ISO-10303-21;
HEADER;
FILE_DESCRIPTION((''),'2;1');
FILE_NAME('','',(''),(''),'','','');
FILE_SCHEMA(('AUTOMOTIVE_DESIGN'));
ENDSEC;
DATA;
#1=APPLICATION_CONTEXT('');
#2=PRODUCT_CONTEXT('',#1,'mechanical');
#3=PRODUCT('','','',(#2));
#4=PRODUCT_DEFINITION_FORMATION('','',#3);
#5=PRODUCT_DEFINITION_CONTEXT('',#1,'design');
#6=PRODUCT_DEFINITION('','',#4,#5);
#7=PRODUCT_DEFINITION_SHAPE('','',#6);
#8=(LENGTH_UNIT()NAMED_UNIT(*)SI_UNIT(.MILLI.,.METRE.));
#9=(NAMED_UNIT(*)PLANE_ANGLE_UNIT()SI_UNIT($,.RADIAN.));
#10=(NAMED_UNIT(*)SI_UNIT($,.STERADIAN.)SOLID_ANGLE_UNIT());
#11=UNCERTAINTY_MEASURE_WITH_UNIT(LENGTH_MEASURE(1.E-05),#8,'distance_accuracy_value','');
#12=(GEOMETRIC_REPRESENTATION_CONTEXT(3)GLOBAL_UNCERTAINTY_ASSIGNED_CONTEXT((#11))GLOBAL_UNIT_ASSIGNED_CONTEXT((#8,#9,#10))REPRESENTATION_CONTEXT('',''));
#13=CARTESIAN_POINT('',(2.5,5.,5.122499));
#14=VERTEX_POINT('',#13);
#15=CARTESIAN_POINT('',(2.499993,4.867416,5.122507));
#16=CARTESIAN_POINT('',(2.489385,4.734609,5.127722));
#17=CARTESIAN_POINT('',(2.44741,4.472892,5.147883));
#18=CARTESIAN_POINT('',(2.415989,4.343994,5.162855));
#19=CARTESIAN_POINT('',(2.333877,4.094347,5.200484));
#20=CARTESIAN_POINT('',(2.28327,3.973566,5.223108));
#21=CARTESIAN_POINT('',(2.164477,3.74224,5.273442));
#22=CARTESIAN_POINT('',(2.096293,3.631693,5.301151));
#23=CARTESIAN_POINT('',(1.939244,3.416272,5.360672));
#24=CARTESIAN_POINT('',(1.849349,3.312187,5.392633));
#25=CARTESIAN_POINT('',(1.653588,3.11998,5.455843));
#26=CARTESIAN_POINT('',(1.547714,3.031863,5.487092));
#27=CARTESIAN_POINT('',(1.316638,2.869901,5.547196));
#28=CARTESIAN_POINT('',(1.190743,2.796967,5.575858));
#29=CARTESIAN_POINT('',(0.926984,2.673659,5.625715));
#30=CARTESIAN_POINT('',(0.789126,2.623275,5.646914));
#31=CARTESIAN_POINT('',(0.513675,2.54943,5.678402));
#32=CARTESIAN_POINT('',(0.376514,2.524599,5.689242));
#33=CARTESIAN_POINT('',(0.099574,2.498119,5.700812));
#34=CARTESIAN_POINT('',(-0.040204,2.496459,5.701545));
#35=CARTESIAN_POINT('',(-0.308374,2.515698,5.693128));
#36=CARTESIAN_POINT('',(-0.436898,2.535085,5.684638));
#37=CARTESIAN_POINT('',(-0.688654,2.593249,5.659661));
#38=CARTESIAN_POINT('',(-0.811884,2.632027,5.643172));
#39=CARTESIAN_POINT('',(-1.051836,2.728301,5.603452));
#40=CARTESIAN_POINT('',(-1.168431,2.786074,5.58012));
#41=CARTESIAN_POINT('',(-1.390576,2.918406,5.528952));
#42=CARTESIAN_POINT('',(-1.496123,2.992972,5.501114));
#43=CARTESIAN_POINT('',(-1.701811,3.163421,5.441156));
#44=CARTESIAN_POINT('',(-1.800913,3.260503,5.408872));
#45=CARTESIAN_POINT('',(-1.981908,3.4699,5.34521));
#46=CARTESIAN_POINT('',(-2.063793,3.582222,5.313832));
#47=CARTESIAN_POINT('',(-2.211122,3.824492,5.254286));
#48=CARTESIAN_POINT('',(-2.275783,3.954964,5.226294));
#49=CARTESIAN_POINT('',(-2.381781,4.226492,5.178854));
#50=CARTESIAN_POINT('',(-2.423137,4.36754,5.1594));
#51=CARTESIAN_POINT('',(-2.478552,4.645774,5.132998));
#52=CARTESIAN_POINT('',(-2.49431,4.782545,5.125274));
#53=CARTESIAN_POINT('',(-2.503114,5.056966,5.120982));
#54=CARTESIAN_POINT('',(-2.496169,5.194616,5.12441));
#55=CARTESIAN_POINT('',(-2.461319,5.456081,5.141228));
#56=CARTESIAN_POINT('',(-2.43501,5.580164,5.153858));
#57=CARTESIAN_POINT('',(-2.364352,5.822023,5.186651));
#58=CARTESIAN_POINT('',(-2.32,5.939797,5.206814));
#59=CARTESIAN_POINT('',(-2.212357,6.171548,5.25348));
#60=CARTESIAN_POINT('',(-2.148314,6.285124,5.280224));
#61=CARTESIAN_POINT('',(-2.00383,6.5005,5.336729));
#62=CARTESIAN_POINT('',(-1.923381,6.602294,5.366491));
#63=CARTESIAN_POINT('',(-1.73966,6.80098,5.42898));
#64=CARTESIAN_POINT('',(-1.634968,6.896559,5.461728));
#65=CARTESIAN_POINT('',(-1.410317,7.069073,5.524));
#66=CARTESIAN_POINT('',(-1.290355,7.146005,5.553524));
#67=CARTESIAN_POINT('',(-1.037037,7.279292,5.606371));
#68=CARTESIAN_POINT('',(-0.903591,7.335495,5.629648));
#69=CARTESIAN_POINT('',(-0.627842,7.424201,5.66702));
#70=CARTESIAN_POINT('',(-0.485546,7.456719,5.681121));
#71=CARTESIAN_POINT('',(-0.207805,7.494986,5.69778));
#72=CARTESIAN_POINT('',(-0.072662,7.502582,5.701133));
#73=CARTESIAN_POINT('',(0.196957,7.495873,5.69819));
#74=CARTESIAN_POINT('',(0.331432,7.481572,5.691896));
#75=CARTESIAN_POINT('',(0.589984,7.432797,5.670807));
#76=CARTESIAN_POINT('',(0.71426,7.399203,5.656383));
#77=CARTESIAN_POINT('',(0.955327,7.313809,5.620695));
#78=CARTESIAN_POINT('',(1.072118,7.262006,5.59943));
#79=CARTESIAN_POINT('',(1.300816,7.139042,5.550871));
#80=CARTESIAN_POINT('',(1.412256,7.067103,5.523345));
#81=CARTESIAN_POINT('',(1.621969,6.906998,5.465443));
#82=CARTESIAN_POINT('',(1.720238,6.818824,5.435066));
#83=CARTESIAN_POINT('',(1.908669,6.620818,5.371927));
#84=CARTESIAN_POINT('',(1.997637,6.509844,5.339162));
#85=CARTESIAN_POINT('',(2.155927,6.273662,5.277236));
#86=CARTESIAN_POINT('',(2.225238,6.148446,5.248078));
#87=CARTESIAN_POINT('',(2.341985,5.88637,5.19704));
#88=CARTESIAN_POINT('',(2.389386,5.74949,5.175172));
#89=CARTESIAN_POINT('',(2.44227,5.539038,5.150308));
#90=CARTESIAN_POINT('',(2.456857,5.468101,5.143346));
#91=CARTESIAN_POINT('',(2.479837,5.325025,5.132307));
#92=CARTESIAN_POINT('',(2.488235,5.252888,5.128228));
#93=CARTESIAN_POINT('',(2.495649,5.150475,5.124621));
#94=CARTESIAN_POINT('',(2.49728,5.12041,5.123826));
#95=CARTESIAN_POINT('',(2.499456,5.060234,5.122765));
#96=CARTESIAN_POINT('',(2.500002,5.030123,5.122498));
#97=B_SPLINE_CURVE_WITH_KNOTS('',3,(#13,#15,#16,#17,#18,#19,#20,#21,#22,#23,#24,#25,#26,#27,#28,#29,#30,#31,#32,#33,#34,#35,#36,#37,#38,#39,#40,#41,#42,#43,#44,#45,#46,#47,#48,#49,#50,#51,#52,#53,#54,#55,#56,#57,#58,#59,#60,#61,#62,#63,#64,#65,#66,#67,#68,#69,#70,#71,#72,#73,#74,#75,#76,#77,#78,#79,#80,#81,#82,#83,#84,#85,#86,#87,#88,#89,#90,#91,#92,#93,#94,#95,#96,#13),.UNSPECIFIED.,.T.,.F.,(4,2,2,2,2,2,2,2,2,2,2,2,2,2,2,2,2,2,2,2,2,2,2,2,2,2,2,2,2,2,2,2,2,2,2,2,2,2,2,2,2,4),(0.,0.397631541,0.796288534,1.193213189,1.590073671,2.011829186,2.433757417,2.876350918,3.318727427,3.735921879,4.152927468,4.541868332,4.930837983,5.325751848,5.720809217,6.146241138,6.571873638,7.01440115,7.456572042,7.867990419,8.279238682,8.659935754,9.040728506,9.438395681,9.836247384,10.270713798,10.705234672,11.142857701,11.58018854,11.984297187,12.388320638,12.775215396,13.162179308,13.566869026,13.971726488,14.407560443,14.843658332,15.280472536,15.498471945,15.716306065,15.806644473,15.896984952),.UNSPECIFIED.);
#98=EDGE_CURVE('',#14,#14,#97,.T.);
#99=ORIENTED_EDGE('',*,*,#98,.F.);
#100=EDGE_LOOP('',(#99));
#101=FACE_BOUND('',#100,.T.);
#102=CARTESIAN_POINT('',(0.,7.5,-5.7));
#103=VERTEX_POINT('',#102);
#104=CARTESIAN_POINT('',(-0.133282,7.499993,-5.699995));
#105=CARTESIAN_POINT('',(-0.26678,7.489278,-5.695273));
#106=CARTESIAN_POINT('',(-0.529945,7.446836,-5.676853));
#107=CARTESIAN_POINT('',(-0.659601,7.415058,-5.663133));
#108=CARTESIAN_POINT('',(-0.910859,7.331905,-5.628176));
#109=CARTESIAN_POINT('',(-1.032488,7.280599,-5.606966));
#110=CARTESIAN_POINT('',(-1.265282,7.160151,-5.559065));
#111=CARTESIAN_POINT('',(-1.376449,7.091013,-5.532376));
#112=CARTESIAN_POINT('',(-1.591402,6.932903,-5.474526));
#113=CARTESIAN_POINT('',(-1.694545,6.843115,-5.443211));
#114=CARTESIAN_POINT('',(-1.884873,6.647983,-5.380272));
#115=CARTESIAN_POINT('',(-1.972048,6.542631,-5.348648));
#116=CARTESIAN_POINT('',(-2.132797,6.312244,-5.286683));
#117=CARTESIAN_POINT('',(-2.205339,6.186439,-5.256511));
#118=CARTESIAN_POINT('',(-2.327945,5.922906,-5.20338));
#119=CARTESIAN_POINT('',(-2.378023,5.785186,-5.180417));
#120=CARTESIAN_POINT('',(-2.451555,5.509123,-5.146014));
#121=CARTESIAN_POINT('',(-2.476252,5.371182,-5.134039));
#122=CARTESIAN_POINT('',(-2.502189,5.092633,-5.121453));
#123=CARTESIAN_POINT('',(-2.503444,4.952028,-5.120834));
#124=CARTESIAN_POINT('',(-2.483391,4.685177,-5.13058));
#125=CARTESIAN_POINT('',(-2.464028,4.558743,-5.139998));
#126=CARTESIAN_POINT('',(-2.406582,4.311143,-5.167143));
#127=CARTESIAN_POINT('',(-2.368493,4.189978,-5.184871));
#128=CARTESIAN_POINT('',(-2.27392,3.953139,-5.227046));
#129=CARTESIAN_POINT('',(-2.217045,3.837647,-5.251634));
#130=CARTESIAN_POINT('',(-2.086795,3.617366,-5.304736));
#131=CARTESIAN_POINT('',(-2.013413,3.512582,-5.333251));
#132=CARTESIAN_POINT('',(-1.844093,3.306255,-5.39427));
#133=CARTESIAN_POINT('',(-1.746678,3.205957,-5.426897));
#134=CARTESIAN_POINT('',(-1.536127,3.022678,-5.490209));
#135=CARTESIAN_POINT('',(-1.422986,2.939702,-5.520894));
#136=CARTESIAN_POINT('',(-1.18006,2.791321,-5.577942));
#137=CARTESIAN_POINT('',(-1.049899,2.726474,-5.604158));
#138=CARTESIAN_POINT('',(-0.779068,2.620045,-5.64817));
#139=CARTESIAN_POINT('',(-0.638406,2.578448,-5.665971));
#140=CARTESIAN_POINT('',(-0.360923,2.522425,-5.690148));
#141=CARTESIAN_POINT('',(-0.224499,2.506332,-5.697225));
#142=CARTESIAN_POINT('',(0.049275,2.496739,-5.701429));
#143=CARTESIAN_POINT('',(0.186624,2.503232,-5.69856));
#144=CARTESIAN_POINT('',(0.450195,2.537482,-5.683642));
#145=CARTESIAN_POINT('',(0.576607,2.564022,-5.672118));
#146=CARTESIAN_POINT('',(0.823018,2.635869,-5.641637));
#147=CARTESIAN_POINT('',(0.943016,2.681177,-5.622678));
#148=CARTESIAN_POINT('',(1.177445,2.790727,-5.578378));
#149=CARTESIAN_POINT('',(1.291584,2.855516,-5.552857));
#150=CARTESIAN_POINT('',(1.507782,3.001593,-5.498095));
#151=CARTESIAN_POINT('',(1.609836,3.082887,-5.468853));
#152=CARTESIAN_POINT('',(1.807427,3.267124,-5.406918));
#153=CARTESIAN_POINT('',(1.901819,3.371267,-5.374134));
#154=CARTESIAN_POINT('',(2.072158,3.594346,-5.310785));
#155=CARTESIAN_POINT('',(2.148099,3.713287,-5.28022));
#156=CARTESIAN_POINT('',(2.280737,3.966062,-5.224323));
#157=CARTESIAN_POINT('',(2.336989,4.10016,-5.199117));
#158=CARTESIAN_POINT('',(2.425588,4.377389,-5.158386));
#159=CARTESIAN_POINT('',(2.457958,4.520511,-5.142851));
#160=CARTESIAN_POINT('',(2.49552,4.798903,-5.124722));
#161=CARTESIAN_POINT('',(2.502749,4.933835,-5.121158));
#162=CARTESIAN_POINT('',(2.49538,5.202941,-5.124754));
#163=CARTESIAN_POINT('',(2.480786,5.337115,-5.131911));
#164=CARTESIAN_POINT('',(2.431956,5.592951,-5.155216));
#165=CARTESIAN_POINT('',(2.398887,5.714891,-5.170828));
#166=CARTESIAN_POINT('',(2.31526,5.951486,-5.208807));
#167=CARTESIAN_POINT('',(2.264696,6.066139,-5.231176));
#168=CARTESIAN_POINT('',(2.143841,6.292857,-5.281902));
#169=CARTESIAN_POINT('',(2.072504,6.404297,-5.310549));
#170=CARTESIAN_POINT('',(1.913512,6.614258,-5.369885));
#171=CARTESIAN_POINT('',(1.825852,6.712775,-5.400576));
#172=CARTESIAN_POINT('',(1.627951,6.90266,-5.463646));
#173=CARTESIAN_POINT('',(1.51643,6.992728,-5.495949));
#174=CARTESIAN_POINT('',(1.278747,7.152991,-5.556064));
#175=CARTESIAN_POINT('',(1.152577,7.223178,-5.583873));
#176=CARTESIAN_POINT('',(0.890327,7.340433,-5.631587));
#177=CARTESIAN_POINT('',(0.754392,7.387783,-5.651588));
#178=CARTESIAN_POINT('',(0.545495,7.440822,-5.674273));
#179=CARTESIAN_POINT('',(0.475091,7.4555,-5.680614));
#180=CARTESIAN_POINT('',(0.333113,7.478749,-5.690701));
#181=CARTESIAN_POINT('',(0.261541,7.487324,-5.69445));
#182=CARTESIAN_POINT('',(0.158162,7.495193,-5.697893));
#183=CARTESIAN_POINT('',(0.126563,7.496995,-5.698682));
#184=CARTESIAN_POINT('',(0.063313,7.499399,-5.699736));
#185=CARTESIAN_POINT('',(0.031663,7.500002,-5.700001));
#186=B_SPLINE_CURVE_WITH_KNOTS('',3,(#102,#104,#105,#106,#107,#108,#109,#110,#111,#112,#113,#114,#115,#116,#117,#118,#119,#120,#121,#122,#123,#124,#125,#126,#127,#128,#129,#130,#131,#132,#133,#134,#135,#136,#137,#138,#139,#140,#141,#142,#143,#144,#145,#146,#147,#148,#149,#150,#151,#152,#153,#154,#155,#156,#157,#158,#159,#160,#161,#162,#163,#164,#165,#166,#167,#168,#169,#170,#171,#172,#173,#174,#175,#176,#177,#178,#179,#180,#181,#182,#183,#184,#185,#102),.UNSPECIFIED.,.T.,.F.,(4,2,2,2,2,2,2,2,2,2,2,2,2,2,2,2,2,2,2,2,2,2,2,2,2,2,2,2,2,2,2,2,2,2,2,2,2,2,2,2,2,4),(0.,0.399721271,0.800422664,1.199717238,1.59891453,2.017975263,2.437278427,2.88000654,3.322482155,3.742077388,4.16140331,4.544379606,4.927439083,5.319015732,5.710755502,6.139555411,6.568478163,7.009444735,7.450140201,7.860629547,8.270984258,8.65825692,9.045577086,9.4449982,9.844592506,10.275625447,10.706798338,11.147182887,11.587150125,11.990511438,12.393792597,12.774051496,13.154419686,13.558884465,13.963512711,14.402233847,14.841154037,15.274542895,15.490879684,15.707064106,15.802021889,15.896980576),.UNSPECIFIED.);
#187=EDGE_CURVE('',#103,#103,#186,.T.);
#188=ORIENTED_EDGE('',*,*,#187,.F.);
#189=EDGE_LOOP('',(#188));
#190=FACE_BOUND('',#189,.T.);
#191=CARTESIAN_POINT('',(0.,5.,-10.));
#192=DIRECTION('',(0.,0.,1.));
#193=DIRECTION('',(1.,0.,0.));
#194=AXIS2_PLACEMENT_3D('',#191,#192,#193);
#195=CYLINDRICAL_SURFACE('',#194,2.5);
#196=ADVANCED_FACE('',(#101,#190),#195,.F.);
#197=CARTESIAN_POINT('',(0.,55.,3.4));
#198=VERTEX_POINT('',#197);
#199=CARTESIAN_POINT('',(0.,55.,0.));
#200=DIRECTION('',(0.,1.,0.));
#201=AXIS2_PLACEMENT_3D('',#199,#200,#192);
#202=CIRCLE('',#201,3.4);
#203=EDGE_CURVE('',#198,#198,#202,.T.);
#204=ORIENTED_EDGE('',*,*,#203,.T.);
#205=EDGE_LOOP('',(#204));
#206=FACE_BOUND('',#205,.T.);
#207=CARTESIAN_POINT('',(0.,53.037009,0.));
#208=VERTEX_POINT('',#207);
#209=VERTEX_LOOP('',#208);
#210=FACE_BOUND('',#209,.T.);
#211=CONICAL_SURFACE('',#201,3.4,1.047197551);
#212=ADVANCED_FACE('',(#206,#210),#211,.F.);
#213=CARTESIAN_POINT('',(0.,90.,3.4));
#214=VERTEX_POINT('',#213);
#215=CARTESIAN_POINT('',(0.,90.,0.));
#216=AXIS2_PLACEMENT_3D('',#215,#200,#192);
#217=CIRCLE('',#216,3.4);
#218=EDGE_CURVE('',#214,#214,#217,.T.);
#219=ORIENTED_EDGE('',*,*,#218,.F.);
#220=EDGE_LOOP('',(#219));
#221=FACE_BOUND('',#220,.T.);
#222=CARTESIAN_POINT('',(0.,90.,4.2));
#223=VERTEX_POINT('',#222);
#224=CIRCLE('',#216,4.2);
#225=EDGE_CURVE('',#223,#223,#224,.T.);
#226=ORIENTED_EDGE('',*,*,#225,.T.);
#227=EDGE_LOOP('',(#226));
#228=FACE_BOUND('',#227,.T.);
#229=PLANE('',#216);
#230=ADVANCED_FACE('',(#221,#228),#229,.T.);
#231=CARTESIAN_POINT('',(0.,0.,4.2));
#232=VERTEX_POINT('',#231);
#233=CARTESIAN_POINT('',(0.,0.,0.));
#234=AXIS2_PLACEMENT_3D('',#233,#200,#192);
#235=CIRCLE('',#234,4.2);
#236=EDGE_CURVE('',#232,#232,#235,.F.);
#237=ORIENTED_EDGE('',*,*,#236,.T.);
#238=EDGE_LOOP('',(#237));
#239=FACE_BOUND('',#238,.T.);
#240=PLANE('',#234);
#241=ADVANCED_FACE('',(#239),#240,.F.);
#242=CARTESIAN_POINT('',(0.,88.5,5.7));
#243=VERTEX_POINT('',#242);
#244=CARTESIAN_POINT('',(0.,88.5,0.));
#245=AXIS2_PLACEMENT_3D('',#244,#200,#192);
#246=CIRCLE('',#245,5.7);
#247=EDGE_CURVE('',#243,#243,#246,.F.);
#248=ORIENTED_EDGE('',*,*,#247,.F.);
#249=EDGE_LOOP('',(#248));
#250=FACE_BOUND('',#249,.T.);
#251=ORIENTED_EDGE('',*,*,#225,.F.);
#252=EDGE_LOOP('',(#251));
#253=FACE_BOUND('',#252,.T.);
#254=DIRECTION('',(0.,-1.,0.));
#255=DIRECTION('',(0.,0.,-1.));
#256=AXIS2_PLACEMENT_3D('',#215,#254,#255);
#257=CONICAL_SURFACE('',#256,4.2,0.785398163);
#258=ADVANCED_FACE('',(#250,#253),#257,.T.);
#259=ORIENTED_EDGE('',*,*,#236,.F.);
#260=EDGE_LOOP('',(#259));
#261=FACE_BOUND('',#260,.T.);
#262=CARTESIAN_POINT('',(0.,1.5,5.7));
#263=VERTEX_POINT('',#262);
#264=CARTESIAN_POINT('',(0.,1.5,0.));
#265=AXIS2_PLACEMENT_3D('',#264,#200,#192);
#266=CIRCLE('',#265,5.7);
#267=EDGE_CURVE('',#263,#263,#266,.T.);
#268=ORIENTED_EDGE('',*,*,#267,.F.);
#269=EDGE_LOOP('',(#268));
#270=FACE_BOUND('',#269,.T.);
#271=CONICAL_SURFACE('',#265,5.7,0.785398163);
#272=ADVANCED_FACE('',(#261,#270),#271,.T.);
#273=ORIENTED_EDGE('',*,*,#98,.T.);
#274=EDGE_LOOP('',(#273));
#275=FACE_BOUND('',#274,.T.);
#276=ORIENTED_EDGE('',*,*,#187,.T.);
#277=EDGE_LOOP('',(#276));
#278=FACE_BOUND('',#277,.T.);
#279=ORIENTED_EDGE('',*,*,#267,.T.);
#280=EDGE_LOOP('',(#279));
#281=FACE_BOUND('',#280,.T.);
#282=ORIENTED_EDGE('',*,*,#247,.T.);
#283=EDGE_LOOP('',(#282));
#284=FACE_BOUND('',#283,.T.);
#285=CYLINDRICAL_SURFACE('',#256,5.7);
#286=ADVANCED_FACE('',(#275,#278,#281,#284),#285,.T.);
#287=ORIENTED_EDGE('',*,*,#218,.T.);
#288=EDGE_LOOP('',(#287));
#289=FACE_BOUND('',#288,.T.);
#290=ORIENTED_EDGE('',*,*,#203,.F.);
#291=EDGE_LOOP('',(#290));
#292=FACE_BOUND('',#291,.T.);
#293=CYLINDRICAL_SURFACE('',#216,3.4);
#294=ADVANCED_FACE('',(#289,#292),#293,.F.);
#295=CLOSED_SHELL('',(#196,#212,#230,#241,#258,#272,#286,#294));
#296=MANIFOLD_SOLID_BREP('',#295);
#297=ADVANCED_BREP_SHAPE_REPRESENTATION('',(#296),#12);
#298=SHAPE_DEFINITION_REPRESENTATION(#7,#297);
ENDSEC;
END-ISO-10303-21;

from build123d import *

# Parameters (mm, degrees)
SKETCH1_R             = 5.7
BOSS_EXTRUDE1_DEPTH   = 90
M8_TAPPED_HOLE1_D     = 6.8
M8_TAPPED_HOLE1_DEPTH = 35
M8_TAPPED_HOLE1_TIP   = 1.962990915
CHAMFER2_SIZE         = 1.5
SKETCH4_R             = 2.5
CUT_EXTRUDE1_DEPTH    = 10


with BuildPart() as part:
    # Sketch1 → Boss-Extrude1 (new body)
    with BuildSketch(Plane(origin=(0, 0, 0), x_dir=(1, 0, 0), z_dir=(0, 1, 0))):
        Circle(SKETCH1_R)
    extrude(amount=BOSS_EXTRUDE1_DEPTH)

    # M8 Tapped Hole1
    with Locations(Plane(origin=(0, 90, 0), x_dir=(1, 0, 0), z_dir=(0, 1, 0))):
        with Locations((0, 0)):
            Hole(M8_TAPPED_HOLE1_D / 2, depth=M8_TAPPED_HOLE1_DEPTH)
            with Locations((0, 0, -(M8_TAPPED_HOLE1_DEPTH + M8_TAPPED_HOLE1_TIP / 2))):  # 120° drill point
                Cone(0, M8_TAPPED_HOLE1_D / 2, M8_TAPPED_HOLE1_TIP, mode=Mode.SUBTRACT)

    # Chamfer2
    chamfer2_edges = [part.edges().sort_by_distance(p)[0] for p in [
        (-5.7, 0, 0),
        (-5.7, 90, 0),
    ]]
    chamfer(chamfer2_edges, length=CHAMFER2_SIZE)

    # Sketch4 → Cut-Extrude1 (cut, symmetric)
    with BuildSketch(Plane.XY):
        with Locations((0, 5)):
            Circle(SKETCH4_R)
    extrude(amount=CUT_EXTRUDE1_DEPTH, both=True, mode=Mode.SUBTRACT)


solid = part.part
